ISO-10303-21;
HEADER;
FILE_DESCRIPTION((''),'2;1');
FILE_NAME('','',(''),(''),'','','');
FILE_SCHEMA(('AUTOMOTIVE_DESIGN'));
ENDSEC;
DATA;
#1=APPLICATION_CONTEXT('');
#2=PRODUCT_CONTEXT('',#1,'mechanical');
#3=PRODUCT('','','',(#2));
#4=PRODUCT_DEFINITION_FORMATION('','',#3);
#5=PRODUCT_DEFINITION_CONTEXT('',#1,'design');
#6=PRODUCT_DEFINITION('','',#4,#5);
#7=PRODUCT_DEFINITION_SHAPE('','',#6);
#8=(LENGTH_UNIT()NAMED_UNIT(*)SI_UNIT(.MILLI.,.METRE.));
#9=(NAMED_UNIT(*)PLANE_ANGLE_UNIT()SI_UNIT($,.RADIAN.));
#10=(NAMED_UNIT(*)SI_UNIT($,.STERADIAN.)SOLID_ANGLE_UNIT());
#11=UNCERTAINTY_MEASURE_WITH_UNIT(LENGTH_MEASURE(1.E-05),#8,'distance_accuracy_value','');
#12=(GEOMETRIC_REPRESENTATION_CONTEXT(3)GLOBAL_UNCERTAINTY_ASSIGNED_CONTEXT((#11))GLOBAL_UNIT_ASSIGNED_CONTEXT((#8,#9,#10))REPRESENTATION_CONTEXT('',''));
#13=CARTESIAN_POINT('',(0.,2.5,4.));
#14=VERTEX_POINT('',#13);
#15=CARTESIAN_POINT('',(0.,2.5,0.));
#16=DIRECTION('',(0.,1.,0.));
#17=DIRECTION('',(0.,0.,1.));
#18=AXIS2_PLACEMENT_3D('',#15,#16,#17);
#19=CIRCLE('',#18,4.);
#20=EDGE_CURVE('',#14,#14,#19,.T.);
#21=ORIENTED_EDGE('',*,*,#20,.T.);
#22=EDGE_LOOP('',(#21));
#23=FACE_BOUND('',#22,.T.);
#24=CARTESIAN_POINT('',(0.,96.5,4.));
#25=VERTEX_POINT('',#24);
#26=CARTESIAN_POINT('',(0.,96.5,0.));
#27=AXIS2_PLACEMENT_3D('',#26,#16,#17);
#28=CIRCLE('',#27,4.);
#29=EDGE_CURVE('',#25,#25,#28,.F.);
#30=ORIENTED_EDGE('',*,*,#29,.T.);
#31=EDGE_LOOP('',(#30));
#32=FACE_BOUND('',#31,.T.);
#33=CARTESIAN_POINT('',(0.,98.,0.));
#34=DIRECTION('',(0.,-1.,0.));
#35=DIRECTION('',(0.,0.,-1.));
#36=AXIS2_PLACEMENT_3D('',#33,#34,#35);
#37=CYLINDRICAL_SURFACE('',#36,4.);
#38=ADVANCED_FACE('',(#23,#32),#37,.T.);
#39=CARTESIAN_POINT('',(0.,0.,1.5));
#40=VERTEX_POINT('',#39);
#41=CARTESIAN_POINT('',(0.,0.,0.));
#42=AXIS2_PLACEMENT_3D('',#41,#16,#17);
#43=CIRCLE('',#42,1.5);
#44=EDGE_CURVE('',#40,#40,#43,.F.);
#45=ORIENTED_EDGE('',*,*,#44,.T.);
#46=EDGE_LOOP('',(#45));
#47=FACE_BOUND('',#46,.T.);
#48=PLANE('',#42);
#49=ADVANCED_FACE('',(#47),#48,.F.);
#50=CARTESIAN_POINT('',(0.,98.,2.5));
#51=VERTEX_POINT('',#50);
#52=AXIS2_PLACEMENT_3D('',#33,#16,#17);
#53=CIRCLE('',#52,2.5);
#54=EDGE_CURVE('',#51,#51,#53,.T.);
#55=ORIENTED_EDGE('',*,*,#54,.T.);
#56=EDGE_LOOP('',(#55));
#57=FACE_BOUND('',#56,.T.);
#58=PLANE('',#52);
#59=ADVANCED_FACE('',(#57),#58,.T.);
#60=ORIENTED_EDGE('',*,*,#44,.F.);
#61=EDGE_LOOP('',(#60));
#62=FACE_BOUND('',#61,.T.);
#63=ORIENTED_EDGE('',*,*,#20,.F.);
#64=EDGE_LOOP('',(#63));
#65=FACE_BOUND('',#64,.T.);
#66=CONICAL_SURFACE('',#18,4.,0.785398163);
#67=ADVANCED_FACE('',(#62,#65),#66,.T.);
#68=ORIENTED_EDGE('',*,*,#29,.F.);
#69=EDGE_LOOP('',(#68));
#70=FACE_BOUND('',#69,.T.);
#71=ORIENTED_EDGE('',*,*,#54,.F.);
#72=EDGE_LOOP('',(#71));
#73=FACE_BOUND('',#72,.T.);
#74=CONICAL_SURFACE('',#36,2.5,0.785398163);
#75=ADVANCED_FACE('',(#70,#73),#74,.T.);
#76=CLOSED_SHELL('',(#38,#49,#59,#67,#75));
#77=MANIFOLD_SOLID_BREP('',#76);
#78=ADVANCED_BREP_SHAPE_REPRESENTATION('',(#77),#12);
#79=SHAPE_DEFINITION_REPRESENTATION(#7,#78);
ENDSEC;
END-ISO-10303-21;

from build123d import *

# Parameters (mm, degrees)
SKETCH1_R           = 4
BOSS_EXTRUDE1_DEPTH = 98
CHAMFER1_SIZE       = 2.5
CHAMFER2_SIZE       = 1.5


with BuildPart() as part:
    # Sketch1 → Boss-Extrude1 (new body)
    with BuildSketch(Plane(origin=(0, 0, 0), x_dir=(1, 0, 0), z_dir=(0, 1, 0))):
        with Locations(Location((0, 0, 0), (0, 0, 270))):
            Circle(SKETCH1_R)
    extrude(amount=BOSS_EXTRUDE1_DEPTH)

    # Chamfer1
    chamfer1_edges = [part.edges().sort_by_distance(p)[0] for p in [
        (0, 0, -4),
    ]]
    chamfer(chamfer1_edges, length=CHAMFER1_SIZE)

    # Chamfer2
    chamfer2_edges = [part.edges().sort_by_distance(p)[0] for p in [
        (0, 98, -4),
    ]]
    chamfer(chamfer2_edges, length=CHAMFER2_SIZE)


solid = part.part
